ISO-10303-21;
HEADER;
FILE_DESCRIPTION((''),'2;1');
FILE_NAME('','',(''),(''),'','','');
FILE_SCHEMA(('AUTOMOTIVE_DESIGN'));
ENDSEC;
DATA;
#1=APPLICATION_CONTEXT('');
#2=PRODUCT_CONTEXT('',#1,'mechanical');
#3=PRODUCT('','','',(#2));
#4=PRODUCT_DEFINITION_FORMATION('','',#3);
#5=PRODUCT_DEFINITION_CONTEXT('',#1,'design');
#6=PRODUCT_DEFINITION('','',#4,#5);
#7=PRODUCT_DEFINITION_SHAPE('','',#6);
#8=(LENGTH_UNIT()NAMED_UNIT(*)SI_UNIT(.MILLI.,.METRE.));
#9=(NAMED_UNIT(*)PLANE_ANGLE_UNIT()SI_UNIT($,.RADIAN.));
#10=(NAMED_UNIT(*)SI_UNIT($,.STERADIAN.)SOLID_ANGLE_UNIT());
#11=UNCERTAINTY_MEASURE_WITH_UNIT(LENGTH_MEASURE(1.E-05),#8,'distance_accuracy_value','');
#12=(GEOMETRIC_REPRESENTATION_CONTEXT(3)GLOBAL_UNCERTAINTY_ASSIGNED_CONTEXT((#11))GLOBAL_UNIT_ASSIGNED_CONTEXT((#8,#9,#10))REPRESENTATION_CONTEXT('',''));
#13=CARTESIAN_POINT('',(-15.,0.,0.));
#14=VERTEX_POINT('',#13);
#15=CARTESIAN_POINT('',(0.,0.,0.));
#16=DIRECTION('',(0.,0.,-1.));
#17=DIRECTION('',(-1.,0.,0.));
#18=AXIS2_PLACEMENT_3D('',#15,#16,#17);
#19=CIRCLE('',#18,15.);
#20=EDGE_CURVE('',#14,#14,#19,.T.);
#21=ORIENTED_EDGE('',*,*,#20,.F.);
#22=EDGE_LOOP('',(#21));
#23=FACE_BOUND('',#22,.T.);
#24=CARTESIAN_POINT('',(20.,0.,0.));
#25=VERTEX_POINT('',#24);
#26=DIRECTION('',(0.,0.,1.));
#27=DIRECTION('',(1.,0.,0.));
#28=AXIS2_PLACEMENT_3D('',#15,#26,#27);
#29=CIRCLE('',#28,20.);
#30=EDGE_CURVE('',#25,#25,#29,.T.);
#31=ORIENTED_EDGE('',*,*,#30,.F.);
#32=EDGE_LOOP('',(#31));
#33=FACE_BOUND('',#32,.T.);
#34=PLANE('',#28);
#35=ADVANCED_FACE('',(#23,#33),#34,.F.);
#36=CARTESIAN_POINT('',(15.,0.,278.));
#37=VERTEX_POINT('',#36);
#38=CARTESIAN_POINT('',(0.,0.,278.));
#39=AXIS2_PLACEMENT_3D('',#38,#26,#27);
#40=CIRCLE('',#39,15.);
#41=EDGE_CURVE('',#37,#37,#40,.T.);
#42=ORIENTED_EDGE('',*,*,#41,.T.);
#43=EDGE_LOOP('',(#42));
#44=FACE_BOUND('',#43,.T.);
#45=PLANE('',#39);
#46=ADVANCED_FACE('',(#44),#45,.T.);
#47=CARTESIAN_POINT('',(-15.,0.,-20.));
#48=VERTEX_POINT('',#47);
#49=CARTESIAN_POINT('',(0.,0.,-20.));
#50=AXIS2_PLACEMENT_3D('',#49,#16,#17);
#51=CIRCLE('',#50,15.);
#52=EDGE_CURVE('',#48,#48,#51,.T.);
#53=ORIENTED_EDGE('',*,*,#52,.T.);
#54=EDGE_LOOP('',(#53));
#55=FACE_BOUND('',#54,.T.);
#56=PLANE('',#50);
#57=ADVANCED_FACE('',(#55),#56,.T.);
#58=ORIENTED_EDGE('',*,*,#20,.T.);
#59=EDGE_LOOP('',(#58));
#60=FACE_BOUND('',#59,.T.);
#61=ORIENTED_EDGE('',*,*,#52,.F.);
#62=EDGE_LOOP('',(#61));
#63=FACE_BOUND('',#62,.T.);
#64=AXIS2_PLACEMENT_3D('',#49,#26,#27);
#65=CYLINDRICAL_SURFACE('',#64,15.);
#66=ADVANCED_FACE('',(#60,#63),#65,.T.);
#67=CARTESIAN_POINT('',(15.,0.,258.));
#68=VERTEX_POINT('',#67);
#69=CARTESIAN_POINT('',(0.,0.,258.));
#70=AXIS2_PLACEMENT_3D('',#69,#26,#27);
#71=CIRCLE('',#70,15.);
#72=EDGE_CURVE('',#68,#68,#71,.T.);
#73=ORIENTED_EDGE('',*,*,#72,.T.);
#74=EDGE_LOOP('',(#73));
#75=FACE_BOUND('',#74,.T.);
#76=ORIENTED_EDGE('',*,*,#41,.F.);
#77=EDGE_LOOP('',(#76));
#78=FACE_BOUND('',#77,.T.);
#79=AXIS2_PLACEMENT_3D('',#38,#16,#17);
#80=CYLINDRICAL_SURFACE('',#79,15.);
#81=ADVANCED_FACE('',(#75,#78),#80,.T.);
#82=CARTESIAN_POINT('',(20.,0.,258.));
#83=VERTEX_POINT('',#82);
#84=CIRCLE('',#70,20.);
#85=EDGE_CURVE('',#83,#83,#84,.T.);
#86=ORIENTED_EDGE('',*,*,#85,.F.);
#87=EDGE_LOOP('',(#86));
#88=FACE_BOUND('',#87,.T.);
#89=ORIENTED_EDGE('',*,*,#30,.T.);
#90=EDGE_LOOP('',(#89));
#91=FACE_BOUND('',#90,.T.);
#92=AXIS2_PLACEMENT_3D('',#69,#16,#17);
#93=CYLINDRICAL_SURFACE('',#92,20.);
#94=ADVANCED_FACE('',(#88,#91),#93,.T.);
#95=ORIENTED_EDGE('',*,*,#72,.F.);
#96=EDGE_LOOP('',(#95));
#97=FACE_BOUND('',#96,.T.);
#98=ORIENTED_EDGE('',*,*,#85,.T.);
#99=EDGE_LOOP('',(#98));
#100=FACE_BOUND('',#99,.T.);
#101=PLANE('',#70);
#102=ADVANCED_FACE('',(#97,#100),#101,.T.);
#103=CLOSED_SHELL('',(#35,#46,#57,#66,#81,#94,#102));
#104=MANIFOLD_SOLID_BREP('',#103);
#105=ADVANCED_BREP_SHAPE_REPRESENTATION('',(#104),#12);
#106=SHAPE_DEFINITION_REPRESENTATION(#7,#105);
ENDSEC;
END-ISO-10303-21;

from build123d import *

# Parameters (mm, degrees)
SKETCH1_R           = 20
BOSS_EXTRUDE1_DEPTH = 258
SKETCH2_R           = 15
BOSS_EXTRUDE2_DEPTH = 20
SKETCH3_R           = 15
BOSS_EXTRUDE3_DEPTH = 20


with BuildPart() as part:
    # Sketch1 → Boss-Extrude1 (new body)
    with BuildSketch(Plane.XY):
        Circle(SKETCH1_R)
    extrude(amount=BOSS_EXTRUDE1_DEPTH)

    # Sketch2 → Boss-Extrude2 (add)
    with BuildSketch(Plane.XY.offset(258)):
        Circle(SKETCH2_R)
    extrude(amount=BOSS_EXTRUDE2_DEPTH)

    # Sketch3 → Boss-Extrude3 (add)
    with BuildSketch(Plane(origin=(0, 0, 0), x_dir=(-1, 0, 0), z_dir=(0, 0, -1))):
        Circle(SKETCH3_R)
    extrude(amount=BOSS_EXTRUDE3_DEPTH)


solid = part.part
